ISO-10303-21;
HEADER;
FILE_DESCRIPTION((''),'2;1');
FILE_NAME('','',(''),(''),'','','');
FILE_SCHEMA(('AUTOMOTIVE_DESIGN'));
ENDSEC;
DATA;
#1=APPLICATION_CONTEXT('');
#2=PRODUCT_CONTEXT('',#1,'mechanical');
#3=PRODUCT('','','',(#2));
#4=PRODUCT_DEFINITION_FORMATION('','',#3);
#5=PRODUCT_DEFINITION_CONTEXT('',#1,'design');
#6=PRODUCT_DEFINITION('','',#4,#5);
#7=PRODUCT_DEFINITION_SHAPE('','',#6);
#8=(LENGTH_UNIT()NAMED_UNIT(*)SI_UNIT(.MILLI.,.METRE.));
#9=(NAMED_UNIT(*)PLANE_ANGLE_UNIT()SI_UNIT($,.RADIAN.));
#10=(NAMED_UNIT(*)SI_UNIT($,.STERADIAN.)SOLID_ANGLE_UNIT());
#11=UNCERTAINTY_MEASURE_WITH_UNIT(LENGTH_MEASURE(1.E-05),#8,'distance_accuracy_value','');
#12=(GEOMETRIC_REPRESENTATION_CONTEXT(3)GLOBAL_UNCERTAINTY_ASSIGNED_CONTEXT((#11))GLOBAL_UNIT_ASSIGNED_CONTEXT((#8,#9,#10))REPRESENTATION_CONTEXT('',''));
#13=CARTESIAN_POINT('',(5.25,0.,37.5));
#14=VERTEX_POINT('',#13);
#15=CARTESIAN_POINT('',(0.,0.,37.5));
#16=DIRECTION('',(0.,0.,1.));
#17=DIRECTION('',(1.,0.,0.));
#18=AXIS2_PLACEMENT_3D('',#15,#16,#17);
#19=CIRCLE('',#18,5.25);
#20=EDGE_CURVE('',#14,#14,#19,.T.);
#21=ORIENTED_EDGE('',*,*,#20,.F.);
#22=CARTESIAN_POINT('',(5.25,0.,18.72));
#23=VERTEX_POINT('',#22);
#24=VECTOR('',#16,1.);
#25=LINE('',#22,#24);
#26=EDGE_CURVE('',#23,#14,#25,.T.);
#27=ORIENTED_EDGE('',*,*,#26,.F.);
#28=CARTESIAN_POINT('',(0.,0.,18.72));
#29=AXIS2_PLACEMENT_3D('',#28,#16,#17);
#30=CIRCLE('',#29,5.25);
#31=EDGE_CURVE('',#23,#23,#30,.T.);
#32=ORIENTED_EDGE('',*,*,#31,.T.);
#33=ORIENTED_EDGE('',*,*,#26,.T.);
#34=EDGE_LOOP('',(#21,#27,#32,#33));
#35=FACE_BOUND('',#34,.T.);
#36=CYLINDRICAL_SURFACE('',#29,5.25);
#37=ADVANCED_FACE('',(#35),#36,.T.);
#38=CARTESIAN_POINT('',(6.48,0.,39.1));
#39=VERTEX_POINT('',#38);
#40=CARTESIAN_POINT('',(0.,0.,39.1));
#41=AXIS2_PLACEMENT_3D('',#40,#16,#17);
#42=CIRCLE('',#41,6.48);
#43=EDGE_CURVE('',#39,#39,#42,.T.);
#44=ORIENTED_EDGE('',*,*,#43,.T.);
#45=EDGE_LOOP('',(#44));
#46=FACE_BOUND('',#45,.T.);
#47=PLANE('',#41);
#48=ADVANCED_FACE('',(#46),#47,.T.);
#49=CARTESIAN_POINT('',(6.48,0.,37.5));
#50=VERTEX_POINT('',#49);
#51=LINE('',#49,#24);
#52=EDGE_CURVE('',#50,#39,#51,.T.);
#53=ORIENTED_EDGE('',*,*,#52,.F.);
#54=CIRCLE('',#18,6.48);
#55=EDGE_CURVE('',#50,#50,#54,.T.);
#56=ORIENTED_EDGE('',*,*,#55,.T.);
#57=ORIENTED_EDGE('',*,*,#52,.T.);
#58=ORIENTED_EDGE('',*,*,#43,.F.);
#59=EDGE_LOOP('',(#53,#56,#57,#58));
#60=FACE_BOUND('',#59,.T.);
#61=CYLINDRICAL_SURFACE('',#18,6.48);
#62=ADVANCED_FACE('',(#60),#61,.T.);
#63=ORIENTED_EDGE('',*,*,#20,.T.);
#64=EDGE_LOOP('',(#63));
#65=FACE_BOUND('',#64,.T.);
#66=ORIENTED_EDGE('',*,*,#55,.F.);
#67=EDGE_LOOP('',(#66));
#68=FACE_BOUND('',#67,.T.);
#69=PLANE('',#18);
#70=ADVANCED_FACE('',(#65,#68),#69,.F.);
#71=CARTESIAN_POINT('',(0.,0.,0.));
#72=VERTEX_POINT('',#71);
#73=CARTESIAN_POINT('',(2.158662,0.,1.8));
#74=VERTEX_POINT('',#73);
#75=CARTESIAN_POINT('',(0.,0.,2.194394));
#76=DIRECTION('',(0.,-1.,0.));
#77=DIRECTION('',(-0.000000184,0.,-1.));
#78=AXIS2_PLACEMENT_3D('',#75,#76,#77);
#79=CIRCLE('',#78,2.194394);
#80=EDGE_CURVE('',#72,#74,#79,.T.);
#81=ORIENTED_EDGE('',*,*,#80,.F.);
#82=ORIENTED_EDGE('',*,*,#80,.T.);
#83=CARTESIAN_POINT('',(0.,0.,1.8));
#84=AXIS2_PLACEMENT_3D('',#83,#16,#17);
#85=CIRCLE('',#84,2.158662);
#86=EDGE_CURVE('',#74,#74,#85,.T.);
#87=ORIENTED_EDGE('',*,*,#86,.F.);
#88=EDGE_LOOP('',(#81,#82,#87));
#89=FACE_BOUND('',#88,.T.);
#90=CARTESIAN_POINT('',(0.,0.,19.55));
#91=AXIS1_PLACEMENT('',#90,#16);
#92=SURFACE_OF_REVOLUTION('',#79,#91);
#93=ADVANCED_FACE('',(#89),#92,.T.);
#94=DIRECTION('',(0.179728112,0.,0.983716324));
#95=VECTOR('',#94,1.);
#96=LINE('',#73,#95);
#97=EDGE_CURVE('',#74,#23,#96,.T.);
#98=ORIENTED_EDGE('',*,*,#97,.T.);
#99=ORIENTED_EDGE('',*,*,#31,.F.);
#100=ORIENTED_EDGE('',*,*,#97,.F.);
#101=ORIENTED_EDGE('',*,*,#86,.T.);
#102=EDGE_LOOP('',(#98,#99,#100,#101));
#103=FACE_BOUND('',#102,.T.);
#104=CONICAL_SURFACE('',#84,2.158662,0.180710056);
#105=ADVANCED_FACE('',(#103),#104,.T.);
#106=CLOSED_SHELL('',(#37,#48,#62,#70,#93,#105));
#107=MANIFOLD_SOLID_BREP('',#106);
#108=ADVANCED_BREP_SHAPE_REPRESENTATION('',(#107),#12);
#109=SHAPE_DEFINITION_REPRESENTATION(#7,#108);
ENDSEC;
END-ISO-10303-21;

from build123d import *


with BuildPart() as f1:
    # F0 (on Front) → F1 (revolve)
    with BuildSketch(Plane.XZ):
        with BuildLine():
            Line((0, 39.1), (0, 0))
            ThreePointArc((0, 0), (1.405331, 0.509042), (2.158662, 1.8))
            Line((2.158662, 1.8), (5.25, 18.72))
            Line((5.25, 18.72), (5.25, 37.5))
            Line((5.25, 37.5), (6.48, 37.5))
            Line((6.48, 37.5), (6.48, 39.1))
            Line((6.48, 39.1), (0, 39.1))
        make_face()
    revolve(axis=Axis((0, 0, 19.55), (0, 0, 1)))


solid = f1.part
